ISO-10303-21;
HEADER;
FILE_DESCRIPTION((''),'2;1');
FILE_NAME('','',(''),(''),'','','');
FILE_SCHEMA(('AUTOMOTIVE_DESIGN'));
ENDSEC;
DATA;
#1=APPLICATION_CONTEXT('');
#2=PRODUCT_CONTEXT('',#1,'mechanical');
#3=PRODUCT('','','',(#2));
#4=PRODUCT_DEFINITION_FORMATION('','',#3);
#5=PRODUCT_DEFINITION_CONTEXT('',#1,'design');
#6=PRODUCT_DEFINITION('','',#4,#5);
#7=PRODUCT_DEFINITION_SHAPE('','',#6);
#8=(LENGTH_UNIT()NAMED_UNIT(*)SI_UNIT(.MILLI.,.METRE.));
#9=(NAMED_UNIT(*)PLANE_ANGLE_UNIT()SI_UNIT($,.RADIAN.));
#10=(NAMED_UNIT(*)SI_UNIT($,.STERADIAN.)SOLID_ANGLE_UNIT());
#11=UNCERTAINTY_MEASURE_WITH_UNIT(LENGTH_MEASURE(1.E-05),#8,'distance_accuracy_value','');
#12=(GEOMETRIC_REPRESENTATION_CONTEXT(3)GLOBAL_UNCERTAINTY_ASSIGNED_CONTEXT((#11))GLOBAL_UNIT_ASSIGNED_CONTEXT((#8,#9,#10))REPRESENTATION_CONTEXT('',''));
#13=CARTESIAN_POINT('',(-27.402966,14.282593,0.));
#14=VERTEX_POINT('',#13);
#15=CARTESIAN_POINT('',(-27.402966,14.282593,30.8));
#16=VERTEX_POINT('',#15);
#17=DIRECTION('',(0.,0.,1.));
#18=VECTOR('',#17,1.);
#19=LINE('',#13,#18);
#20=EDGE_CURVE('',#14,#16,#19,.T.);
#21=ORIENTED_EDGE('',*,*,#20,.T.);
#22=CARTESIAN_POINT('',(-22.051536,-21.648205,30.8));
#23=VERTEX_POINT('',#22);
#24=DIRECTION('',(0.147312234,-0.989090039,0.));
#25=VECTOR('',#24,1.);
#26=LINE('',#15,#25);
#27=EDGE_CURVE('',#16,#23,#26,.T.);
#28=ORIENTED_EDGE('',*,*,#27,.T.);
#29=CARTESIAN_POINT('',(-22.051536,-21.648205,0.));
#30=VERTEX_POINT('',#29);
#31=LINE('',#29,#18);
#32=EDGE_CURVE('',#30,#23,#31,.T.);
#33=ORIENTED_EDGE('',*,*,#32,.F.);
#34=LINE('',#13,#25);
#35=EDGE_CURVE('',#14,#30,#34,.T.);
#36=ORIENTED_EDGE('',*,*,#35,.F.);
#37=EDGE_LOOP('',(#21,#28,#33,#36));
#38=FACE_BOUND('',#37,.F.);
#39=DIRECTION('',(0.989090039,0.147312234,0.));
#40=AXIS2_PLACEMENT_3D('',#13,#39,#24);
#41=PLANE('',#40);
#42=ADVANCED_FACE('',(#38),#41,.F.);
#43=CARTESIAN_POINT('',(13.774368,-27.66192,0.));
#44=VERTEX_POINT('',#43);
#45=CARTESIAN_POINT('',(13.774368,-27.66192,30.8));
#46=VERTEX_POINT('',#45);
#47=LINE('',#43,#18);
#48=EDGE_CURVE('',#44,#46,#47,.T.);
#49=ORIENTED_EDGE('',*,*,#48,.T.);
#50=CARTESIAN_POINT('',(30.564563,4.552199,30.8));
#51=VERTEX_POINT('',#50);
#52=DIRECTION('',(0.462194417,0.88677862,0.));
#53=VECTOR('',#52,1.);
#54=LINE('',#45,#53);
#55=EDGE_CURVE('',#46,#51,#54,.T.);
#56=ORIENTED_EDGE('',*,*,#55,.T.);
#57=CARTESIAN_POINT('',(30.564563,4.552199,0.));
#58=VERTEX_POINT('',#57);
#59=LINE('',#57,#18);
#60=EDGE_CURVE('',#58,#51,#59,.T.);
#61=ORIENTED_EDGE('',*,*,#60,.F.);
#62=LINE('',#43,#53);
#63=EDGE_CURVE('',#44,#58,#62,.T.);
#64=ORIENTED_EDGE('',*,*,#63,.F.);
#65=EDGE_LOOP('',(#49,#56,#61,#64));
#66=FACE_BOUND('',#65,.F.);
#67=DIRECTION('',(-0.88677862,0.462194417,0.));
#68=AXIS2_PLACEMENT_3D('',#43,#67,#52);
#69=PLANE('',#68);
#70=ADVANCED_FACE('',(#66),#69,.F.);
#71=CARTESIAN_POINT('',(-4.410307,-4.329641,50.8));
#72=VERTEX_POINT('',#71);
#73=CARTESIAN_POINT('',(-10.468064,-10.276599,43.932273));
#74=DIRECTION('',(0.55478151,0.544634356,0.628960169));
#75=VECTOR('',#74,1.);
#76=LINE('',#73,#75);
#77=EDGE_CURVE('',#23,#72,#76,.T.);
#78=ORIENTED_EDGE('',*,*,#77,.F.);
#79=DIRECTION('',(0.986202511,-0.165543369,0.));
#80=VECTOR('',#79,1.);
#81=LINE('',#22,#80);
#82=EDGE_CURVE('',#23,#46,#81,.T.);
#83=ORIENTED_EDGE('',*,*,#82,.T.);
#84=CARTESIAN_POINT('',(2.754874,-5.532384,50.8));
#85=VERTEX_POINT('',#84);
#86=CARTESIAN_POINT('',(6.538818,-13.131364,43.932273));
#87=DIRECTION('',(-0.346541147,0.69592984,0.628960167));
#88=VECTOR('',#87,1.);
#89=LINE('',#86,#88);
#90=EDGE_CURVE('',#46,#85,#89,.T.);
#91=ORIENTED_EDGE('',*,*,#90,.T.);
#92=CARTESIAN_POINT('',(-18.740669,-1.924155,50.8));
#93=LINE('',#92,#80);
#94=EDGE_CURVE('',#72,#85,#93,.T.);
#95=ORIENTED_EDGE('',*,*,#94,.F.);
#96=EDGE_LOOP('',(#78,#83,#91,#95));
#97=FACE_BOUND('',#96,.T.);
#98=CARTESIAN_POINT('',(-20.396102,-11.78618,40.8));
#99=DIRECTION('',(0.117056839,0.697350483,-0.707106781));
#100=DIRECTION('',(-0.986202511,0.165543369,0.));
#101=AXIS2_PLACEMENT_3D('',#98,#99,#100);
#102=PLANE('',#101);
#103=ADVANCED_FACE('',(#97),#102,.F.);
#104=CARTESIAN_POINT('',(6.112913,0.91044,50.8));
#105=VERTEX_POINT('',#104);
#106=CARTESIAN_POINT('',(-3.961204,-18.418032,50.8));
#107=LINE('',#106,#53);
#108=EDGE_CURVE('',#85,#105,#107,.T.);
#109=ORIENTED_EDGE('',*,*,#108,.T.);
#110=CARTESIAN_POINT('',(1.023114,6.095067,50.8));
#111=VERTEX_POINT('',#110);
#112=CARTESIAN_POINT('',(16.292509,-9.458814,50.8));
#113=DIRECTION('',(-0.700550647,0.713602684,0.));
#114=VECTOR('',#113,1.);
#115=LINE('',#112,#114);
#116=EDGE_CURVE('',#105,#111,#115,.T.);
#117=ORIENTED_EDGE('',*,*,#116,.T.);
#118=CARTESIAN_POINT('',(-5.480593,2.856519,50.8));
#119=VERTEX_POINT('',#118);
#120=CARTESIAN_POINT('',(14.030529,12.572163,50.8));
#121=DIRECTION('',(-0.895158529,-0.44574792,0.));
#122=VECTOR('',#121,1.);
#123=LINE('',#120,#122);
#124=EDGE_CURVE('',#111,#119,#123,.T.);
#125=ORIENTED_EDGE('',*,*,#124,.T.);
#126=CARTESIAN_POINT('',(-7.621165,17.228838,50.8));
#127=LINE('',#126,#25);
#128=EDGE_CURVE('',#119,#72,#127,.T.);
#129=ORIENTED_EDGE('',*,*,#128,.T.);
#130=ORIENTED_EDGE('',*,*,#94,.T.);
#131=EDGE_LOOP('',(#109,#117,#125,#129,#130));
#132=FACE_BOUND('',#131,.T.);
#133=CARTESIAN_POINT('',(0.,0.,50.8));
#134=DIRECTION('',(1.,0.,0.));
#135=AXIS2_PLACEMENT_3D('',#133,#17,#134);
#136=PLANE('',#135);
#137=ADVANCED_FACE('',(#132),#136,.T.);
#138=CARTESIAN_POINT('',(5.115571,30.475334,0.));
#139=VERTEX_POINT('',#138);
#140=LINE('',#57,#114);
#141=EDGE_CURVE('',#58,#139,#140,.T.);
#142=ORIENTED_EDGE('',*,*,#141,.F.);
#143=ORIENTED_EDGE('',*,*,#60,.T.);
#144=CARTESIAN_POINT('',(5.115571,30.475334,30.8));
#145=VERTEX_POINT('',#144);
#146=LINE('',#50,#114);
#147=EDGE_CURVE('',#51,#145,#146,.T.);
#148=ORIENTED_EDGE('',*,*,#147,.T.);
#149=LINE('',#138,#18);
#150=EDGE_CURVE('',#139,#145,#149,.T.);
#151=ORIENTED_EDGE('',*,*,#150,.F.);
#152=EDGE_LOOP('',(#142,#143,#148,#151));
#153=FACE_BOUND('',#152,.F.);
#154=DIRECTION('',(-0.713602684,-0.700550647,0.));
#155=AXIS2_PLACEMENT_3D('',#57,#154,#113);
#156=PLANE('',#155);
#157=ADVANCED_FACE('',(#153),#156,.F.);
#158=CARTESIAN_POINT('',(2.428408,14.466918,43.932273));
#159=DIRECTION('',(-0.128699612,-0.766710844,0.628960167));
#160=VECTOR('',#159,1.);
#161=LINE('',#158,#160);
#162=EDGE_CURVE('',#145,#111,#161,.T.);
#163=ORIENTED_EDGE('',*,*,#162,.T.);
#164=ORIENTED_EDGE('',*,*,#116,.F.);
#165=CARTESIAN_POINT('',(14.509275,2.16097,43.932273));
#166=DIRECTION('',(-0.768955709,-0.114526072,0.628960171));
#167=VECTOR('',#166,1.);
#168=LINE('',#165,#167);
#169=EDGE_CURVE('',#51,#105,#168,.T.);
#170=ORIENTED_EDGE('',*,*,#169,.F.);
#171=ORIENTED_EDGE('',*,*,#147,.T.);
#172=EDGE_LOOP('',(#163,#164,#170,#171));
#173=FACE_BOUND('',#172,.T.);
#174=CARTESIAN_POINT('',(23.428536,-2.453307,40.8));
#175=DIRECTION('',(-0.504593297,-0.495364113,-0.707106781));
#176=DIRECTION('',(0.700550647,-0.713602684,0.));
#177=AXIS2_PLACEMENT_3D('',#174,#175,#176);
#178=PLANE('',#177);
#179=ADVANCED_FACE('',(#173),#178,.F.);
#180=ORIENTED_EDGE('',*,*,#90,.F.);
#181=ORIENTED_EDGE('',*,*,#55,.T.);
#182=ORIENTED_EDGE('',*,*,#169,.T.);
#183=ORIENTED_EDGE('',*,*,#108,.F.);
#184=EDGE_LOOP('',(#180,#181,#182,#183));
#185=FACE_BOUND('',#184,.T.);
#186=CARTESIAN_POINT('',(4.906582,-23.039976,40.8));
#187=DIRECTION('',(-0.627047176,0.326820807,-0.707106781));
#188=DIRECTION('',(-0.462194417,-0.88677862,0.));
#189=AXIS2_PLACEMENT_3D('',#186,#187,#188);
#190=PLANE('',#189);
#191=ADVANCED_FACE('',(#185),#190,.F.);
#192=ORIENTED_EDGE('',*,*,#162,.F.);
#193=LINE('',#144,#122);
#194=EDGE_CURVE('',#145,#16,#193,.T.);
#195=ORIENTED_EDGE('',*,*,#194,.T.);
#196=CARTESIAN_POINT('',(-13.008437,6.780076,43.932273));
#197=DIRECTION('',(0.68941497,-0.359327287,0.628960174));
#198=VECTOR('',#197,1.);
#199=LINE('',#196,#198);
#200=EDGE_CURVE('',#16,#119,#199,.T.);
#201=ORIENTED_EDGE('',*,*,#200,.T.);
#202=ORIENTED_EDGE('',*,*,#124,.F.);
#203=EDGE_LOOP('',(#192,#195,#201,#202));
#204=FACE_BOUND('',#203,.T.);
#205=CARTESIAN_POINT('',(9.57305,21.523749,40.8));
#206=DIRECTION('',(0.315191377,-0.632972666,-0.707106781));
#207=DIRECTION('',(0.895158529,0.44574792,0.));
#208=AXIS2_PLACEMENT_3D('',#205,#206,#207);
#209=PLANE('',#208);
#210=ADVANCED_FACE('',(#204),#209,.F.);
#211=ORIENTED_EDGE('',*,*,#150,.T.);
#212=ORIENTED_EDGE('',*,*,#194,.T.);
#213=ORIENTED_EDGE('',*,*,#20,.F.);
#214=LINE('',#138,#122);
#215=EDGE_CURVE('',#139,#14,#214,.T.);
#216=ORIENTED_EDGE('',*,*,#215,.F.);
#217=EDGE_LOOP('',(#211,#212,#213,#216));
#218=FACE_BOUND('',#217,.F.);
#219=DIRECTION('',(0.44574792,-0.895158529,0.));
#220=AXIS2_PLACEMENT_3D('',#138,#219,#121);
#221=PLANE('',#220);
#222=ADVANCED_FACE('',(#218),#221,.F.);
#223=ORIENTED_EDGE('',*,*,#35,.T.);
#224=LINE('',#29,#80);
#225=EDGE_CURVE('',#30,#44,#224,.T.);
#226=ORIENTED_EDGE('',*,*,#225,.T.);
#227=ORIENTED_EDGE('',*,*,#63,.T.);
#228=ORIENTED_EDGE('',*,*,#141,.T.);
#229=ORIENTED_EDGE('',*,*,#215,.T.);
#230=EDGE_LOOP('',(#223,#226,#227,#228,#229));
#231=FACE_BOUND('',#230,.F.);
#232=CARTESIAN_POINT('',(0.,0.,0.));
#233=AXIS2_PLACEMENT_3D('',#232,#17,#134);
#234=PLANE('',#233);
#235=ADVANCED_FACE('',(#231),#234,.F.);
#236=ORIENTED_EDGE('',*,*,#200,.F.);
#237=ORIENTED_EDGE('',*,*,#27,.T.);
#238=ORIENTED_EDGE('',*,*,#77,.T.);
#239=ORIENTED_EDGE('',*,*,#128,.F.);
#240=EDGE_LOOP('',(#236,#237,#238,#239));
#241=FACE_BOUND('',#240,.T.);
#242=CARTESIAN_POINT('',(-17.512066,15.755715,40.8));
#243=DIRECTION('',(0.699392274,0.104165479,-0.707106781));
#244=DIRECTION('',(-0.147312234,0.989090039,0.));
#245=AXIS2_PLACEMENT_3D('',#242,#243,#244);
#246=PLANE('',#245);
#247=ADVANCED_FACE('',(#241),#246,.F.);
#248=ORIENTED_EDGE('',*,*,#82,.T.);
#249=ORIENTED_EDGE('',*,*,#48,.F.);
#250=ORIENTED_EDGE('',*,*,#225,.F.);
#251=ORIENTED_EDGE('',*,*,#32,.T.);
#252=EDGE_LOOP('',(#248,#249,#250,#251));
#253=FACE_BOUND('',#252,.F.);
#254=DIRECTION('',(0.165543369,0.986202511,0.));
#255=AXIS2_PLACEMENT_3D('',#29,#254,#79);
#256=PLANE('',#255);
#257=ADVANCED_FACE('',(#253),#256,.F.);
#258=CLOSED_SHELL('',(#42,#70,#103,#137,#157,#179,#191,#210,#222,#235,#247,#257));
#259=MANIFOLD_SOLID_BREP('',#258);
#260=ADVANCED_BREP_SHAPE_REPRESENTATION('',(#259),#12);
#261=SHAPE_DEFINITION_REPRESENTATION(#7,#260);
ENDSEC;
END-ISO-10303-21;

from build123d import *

# Parameters (mm, degrees)
F1_DEPTH = 50.8
F2_SIZE  = 20


with BuildPart() as f1:
    # F0 (on Top) → F1 (new body)
    with BuildSketch(Plane.XY):
        Polygon((13.774368, -27.66192), (30.564563, 4.552199), (5.115571, 30.475334), (-27.402966, 14.282593), (-22.051536, -21.648205), align=None)
    extrude(amount=F1_DEPTH)

    # F2
    f2_edges = [f1.edges().sort_by_distance(p)[0] for p in [
        (-4.138584, -24.655063, 50.8),
        (22.169465, -11.554861, 50.8),
        (17.840067, 17.513766, 50.8),
        (-11.143697, 22.378964, 50.8),
        (-24.727251, -3.682806, 50.8),
    ]]
    chamfer(f2_edges, length=F2_SIZE)


solid = f1.part
